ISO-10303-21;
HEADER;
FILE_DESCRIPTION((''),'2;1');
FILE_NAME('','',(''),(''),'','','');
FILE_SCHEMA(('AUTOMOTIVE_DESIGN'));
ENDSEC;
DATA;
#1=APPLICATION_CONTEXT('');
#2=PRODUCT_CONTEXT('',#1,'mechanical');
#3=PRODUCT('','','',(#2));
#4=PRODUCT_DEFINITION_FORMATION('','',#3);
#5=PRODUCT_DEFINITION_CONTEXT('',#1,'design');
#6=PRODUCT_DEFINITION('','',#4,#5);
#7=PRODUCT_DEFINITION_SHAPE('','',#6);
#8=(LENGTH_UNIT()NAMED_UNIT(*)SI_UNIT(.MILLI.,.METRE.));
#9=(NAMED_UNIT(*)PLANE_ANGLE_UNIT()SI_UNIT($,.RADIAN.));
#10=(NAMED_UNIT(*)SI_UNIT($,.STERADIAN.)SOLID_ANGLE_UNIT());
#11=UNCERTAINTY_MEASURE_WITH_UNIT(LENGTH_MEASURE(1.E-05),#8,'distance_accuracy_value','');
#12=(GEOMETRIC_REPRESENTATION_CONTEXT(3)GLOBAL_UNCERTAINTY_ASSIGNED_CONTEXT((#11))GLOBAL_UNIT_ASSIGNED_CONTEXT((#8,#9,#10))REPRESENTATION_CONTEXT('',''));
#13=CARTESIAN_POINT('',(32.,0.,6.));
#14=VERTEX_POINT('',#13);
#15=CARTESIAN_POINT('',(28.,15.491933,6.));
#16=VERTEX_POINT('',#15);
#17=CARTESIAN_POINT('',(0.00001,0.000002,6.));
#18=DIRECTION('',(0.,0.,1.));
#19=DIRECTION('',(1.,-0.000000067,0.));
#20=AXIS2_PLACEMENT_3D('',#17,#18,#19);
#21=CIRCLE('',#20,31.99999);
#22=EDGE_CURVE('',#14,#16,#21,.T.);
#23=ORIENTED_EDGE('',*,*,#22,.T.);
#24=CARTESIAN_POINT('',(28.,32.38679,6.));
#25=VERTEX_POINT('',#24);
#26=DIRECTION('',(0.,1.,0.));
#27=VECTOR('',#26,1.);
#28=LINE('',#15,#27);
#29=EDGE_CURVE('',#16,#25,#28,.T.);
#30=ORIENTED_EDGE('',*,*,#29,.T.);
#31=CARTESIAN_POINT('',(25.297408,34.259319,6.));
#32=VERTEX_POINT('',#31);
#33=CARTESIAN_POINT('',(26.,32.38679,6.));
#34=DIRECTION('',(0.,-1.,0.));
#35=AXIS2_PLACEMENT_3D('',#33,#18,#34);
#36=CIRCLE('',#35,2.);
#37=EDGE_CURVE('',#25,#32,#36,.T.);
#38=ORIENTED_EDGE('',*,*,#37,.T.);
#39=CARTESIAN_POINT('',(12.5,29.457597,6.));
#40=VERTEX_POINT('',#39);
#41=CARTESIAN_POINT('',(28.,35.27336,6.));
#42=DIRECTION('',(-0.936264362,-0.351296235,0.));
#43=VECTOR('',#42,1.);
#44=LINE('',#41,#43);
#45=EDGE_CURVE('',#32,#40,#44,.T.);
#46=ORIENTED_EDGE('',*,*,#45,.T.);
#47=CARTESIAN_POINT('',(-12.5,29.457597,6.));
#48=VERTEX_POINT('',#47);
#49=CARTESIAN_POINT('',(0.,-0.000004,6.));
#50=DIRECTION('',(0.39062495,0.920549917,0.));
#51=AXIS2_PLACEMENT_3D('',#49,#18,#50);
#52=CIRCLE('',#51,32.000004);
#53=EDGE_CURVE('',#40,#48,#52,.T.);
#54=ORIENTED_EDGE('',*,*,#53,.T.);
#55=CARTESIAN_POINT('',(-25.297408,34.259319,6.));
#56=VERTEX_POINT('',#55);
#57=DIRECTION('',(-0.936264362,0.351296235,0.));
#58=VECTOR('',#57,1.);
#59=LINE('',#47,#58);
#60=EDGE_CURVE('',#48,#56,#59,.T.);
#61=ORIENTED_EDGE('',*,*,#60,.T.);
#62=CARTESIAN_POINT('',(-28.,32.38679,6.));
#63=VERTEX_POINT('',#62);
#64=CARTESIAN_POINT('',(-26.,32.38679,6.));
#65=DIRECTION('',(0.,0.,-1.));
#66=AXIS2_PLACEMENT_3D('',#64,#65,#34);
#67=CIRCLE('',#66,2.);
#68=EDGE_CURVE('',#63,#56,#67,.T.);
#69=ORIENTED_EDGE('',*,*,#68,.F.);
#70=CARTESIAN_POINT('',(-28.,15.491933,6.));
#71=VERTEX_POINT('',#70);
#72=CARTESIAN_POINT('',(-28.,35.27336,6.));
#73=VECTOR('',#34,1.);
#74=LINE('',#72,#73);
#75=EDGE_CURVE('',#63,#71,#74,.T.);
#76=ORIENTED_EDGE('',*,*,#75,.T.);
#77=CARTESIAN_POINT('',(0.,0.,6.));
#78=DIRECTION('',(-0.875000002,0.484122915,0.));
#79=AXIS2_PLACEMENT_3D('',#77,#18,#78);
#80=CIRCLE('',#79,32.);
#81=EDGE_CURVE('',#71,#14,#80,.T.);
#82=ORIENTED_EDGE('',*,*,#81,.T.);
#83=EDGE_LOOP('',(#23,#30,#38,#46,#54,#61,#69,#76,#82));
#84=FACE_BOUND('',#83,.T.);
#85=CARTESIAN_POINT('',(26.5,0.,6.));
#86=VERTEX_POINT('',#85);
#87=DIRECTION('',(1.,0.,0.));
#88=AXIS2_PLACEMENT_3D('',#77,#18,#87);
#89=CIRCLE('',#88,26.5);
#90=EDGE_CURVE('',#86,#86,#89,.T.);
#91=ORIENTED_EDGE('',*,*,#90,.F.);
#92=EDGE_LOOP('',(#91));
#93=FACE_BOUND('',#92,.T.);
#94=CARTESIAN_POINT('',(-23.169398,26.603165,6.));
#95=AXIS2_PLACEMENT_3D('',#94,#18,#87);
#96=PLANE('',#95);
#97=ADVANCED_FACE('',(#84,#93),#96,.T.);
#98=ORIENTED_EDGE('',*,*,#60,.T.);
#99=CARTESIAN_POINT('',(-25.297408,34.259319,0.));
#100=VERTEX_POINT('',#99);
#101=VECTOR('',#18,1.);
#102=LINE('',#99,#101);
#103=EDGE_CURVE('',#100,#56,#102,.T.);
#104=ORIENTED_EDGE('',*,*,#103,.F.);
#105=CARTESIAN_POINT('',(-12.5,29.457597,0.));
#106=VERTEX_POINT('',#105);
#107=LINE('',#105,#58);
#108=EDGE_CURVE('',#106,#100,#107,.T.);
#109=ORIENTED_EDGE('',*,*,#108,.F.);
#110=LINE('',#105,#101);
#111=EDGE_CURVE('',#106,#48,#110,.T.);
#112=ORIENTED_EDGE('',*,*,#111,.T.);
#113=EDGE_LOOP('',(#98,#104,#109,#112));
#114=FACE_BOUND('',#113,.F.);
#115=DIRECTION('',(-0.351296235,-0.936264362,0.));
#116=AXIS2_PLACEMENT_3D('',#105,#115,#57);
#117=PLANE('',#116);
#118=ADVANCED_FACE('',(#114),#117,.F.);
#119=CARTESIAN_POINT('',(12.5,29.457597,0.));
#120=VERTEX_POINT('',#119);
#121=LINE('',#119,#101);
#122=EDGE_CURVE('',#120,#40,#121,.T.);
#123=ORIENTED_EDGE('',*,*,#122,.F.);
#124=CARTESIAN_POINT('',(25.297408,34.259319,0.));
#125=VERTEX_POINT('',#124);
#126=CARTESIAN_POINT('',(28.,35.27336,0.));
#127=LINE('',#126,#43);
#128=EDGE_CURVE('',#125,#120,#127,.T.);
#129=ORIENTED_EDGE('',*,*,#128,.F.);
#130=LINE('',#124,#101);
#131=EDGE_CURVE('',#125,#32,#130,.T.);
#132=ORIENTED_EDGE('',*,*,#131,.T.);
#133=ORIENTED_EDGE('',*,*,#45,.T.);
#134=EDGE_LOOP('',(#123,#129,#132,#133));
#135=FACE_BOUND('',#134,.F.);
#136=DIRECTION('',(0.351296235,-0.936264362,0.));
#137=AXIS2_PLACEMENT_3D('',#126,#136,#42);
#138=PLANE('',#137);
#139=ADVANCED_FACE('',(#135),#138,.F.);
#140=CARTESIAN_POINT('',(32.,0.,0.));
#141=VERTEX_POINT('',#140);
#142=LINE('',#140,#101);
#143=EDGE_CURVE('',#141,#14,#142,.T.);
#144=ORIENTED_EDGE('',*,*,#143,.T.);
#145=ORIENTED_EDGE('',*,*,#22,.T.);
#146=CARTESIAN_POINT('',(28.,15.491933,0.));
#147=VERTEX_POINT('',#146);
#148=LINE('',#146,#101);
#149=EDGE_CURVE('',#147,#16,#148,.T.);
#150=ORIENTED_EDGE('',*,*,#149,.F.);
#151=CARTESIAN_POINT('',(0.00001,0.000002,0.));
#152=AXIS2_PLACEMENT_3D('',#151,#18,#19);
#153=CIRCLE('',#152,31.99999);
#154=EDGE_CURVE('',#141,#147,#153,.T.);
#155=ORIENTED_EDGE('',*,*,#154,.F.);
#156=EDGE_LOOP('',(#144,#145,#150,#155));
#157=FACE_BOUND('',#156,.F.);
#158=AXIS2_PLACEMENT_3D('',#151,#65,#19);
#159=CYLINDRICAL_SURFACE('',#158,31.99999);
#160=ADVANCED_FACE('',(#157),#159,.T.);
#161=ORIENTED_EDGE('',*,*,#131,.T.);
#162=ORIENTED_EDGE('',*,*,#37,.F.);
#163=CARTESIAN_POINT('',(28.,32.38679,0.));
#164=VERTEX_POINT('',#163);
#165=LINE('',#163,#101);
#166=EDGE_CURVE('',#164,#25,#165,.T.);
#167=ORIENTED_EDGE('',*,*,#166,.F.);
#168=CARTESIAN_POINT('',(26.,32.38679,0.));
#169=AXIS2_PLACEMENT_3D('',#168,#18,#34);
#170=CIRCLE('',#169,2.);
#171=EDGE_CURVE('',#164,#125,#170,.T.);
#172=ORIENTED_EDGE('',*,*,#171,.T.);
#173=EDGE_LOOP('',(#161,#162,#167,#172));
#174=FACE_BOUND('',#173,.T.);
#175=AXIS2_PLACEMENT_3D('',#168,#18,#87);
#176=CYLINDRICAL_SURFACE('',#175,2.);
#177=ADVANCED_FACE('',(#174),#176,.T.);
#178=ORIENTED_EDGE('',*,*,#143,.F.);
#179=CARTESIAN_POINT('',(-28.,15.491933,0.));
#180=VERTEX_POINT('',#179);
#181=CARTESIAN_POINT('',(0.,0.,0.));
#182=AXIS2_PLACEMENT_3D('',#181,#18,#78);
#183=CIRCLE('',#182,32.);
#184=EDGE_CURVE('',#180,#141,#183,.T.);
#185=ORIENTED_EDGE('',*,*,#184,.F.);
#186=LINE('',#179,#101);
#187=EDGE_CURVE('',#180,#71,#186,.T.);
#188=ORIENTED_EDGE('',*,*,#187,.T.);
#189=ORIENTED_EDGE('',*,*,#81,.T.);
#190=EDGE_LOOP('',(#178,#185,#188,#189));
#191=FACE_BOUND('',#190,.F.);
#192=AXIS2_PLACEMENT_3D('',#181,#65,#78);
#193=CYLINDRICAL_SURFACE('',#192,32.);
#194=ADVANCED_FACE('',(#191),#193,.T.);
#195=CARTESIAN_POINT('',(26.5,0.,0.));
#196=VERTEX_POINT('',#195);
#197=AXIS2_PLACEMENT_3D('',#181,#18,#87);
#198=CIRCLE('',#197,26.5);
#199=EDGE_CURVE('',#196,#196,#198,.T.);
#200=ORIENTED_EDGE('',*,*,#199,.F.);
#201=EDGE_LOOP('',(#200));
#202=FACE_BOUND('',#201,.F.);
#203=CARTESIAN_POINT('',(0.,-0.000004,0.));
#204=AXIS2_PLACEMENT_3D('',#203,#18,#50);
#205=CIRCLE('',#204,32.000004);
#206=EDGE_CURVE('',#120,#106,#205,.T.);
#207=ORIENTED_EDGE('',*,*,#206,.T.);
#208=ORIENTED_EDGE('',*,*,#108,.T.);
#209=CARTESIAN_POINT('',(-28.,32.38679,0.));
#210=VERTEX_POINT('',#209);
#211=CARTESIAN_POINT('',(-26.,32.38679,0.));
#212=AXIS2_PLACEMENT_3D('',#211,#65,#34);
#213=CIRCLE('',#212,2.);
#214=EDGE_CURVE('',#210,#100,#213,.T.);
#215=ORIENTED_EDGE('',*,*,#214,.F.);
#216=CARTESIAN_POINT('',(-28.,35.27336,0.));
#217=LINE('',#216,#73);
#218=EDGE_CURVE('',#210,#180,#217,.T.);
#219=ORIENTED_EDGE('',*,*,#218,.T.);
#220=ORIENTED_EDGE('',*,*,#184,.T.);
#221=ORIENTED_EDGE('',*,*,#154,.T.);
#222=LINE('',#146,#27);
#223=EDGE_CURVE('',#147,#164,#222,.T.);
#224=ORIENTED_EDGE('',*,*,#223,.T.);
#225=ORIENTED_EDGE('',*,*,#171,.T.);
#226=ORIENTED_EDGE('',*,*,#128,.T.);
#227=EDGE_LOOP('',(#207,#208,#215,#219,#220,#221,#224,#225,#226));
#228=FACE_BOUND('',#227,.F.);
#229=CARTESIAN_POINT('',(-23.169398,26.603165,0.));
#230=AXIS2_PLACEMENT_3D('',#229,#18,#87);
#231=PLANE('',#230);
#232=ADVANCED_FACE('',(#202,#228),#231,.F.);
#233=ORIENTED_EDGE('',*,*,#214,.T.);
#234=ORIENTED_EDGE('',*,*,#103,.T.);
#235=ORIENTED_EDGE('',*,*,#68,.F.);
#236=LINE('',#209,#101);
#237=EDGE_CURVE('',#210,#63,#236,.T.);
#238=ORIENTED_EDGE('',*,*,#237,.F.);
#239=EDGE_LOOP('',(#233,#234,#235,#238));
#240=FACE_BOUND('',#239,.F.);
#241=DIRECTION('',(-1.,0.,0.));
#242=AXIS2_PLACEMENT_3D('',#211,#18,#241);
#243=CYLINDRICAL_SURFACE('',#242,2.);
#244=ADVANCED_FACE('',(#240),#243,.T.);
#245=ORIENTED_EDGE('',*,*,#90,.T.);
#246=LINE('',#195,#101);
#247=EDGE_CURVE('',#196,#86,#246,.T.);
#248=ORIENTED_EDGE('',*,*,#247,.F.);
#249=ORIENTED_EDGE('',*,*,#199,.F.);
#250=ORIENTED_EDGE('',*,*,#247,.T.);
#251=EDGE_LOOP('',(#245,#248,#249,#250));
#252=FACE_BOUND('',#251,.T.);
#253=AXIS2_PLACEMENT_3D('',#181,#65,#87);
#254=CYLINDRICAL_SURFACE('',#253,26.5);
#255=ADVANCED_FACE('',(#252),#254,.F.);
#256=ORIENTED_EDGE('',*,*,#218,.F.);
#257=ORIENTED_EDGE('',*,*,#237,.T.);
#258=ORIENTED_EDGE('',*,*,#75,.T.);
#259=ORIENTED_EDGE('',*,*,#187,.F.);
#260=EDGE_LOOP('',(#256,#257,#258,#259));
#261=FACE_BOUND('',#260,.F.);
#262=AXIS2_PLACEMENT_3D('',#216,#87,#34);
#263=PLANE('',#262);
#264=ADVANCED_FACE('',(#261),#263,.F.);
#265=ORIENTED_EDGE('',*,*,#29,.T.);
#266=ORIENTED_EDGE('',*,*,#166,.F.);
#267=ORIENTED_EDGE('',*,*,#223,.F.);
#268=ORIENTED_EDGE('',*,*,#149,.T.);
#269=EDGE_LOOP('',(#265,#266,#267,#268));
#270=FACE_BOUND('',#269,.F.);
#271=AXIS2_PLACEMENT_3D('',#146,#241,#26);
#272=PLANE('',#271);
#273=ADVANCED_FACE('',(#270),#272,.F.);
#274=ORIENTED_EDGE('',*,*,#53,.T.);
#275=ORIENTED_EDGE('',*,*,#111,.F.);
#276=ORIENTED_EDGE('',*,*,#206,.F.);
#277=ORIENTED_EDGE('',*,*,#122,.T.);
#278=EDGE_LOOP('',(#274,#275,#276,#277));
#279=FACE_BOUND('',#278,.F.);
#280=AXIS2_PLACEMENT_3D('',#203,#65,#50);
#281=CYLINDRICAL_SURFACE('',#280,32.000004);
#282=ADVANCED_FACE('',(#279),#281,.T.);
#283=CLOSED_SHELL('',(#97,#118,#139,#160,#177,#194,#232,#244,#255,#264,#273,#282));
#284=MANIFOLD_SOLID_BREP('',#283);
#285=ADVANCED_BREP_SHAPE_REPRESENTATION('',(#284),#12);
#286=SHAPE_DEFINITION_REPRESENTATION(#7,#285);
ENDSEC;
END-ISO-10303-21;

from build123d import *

# Parameters (mm, degrees)
F0_R     = 26.5
F1_DEPTH = 6
F2_R     = 2


with BuildPart() as f1:
    # F0 (on Top) → F1 (new body)
    with BuildSketch(Plane.XY):
        with BuildLine():
            Line((-28, 35.27336), (-28, 15.491933))
            ThreePointArc((-28, 15.491933), (-21.420141, 23.773463), (-12.5, 29.457597))
            Line((-12.5, 29.457597), (-28, 35.27336))
        make_face()
        with BuildLine():
            ThreePointArc((-28, 15.491933), (-8, -30.983867), (32, 0))
            ThreePointArc((32, 0), (30.983867, 8), (28, 15.491933))
            ThreePointArc((28, 15.491933), (21.420141, 23.773463), (12.5, 29.457597))
            ThreePointArc((12.5, 29.457597), (0, 32), (-12.5, 29.457597))
            ThreePointArc((-12.5, 29.457597), (-21.420141, 23.773463), (-28, 15.491933))
        make_face()
        Circle(F0_R, mode=Mode.SUBTRACT)
        with BuildLine():
            ThreePointArc((12.5, 29.457597), (21.420141, 23.773463), (28, 15.491933))
            Line((28, 15.491933), (28, 35.27336))
            Line((28, 35.27336), (12.5, 29.457597))
        make_face()
    extrude(amount=F1_DEPTH)

    # F2
    f2_edges = [f1.edges().sort_by_distance(p)[0] for p in [
        (-28, 35.27336, 3),
        (28, 35.27336, 3),
    ]]
    fillet(f2_edges, radius=F2_R)


solid = f1.part
